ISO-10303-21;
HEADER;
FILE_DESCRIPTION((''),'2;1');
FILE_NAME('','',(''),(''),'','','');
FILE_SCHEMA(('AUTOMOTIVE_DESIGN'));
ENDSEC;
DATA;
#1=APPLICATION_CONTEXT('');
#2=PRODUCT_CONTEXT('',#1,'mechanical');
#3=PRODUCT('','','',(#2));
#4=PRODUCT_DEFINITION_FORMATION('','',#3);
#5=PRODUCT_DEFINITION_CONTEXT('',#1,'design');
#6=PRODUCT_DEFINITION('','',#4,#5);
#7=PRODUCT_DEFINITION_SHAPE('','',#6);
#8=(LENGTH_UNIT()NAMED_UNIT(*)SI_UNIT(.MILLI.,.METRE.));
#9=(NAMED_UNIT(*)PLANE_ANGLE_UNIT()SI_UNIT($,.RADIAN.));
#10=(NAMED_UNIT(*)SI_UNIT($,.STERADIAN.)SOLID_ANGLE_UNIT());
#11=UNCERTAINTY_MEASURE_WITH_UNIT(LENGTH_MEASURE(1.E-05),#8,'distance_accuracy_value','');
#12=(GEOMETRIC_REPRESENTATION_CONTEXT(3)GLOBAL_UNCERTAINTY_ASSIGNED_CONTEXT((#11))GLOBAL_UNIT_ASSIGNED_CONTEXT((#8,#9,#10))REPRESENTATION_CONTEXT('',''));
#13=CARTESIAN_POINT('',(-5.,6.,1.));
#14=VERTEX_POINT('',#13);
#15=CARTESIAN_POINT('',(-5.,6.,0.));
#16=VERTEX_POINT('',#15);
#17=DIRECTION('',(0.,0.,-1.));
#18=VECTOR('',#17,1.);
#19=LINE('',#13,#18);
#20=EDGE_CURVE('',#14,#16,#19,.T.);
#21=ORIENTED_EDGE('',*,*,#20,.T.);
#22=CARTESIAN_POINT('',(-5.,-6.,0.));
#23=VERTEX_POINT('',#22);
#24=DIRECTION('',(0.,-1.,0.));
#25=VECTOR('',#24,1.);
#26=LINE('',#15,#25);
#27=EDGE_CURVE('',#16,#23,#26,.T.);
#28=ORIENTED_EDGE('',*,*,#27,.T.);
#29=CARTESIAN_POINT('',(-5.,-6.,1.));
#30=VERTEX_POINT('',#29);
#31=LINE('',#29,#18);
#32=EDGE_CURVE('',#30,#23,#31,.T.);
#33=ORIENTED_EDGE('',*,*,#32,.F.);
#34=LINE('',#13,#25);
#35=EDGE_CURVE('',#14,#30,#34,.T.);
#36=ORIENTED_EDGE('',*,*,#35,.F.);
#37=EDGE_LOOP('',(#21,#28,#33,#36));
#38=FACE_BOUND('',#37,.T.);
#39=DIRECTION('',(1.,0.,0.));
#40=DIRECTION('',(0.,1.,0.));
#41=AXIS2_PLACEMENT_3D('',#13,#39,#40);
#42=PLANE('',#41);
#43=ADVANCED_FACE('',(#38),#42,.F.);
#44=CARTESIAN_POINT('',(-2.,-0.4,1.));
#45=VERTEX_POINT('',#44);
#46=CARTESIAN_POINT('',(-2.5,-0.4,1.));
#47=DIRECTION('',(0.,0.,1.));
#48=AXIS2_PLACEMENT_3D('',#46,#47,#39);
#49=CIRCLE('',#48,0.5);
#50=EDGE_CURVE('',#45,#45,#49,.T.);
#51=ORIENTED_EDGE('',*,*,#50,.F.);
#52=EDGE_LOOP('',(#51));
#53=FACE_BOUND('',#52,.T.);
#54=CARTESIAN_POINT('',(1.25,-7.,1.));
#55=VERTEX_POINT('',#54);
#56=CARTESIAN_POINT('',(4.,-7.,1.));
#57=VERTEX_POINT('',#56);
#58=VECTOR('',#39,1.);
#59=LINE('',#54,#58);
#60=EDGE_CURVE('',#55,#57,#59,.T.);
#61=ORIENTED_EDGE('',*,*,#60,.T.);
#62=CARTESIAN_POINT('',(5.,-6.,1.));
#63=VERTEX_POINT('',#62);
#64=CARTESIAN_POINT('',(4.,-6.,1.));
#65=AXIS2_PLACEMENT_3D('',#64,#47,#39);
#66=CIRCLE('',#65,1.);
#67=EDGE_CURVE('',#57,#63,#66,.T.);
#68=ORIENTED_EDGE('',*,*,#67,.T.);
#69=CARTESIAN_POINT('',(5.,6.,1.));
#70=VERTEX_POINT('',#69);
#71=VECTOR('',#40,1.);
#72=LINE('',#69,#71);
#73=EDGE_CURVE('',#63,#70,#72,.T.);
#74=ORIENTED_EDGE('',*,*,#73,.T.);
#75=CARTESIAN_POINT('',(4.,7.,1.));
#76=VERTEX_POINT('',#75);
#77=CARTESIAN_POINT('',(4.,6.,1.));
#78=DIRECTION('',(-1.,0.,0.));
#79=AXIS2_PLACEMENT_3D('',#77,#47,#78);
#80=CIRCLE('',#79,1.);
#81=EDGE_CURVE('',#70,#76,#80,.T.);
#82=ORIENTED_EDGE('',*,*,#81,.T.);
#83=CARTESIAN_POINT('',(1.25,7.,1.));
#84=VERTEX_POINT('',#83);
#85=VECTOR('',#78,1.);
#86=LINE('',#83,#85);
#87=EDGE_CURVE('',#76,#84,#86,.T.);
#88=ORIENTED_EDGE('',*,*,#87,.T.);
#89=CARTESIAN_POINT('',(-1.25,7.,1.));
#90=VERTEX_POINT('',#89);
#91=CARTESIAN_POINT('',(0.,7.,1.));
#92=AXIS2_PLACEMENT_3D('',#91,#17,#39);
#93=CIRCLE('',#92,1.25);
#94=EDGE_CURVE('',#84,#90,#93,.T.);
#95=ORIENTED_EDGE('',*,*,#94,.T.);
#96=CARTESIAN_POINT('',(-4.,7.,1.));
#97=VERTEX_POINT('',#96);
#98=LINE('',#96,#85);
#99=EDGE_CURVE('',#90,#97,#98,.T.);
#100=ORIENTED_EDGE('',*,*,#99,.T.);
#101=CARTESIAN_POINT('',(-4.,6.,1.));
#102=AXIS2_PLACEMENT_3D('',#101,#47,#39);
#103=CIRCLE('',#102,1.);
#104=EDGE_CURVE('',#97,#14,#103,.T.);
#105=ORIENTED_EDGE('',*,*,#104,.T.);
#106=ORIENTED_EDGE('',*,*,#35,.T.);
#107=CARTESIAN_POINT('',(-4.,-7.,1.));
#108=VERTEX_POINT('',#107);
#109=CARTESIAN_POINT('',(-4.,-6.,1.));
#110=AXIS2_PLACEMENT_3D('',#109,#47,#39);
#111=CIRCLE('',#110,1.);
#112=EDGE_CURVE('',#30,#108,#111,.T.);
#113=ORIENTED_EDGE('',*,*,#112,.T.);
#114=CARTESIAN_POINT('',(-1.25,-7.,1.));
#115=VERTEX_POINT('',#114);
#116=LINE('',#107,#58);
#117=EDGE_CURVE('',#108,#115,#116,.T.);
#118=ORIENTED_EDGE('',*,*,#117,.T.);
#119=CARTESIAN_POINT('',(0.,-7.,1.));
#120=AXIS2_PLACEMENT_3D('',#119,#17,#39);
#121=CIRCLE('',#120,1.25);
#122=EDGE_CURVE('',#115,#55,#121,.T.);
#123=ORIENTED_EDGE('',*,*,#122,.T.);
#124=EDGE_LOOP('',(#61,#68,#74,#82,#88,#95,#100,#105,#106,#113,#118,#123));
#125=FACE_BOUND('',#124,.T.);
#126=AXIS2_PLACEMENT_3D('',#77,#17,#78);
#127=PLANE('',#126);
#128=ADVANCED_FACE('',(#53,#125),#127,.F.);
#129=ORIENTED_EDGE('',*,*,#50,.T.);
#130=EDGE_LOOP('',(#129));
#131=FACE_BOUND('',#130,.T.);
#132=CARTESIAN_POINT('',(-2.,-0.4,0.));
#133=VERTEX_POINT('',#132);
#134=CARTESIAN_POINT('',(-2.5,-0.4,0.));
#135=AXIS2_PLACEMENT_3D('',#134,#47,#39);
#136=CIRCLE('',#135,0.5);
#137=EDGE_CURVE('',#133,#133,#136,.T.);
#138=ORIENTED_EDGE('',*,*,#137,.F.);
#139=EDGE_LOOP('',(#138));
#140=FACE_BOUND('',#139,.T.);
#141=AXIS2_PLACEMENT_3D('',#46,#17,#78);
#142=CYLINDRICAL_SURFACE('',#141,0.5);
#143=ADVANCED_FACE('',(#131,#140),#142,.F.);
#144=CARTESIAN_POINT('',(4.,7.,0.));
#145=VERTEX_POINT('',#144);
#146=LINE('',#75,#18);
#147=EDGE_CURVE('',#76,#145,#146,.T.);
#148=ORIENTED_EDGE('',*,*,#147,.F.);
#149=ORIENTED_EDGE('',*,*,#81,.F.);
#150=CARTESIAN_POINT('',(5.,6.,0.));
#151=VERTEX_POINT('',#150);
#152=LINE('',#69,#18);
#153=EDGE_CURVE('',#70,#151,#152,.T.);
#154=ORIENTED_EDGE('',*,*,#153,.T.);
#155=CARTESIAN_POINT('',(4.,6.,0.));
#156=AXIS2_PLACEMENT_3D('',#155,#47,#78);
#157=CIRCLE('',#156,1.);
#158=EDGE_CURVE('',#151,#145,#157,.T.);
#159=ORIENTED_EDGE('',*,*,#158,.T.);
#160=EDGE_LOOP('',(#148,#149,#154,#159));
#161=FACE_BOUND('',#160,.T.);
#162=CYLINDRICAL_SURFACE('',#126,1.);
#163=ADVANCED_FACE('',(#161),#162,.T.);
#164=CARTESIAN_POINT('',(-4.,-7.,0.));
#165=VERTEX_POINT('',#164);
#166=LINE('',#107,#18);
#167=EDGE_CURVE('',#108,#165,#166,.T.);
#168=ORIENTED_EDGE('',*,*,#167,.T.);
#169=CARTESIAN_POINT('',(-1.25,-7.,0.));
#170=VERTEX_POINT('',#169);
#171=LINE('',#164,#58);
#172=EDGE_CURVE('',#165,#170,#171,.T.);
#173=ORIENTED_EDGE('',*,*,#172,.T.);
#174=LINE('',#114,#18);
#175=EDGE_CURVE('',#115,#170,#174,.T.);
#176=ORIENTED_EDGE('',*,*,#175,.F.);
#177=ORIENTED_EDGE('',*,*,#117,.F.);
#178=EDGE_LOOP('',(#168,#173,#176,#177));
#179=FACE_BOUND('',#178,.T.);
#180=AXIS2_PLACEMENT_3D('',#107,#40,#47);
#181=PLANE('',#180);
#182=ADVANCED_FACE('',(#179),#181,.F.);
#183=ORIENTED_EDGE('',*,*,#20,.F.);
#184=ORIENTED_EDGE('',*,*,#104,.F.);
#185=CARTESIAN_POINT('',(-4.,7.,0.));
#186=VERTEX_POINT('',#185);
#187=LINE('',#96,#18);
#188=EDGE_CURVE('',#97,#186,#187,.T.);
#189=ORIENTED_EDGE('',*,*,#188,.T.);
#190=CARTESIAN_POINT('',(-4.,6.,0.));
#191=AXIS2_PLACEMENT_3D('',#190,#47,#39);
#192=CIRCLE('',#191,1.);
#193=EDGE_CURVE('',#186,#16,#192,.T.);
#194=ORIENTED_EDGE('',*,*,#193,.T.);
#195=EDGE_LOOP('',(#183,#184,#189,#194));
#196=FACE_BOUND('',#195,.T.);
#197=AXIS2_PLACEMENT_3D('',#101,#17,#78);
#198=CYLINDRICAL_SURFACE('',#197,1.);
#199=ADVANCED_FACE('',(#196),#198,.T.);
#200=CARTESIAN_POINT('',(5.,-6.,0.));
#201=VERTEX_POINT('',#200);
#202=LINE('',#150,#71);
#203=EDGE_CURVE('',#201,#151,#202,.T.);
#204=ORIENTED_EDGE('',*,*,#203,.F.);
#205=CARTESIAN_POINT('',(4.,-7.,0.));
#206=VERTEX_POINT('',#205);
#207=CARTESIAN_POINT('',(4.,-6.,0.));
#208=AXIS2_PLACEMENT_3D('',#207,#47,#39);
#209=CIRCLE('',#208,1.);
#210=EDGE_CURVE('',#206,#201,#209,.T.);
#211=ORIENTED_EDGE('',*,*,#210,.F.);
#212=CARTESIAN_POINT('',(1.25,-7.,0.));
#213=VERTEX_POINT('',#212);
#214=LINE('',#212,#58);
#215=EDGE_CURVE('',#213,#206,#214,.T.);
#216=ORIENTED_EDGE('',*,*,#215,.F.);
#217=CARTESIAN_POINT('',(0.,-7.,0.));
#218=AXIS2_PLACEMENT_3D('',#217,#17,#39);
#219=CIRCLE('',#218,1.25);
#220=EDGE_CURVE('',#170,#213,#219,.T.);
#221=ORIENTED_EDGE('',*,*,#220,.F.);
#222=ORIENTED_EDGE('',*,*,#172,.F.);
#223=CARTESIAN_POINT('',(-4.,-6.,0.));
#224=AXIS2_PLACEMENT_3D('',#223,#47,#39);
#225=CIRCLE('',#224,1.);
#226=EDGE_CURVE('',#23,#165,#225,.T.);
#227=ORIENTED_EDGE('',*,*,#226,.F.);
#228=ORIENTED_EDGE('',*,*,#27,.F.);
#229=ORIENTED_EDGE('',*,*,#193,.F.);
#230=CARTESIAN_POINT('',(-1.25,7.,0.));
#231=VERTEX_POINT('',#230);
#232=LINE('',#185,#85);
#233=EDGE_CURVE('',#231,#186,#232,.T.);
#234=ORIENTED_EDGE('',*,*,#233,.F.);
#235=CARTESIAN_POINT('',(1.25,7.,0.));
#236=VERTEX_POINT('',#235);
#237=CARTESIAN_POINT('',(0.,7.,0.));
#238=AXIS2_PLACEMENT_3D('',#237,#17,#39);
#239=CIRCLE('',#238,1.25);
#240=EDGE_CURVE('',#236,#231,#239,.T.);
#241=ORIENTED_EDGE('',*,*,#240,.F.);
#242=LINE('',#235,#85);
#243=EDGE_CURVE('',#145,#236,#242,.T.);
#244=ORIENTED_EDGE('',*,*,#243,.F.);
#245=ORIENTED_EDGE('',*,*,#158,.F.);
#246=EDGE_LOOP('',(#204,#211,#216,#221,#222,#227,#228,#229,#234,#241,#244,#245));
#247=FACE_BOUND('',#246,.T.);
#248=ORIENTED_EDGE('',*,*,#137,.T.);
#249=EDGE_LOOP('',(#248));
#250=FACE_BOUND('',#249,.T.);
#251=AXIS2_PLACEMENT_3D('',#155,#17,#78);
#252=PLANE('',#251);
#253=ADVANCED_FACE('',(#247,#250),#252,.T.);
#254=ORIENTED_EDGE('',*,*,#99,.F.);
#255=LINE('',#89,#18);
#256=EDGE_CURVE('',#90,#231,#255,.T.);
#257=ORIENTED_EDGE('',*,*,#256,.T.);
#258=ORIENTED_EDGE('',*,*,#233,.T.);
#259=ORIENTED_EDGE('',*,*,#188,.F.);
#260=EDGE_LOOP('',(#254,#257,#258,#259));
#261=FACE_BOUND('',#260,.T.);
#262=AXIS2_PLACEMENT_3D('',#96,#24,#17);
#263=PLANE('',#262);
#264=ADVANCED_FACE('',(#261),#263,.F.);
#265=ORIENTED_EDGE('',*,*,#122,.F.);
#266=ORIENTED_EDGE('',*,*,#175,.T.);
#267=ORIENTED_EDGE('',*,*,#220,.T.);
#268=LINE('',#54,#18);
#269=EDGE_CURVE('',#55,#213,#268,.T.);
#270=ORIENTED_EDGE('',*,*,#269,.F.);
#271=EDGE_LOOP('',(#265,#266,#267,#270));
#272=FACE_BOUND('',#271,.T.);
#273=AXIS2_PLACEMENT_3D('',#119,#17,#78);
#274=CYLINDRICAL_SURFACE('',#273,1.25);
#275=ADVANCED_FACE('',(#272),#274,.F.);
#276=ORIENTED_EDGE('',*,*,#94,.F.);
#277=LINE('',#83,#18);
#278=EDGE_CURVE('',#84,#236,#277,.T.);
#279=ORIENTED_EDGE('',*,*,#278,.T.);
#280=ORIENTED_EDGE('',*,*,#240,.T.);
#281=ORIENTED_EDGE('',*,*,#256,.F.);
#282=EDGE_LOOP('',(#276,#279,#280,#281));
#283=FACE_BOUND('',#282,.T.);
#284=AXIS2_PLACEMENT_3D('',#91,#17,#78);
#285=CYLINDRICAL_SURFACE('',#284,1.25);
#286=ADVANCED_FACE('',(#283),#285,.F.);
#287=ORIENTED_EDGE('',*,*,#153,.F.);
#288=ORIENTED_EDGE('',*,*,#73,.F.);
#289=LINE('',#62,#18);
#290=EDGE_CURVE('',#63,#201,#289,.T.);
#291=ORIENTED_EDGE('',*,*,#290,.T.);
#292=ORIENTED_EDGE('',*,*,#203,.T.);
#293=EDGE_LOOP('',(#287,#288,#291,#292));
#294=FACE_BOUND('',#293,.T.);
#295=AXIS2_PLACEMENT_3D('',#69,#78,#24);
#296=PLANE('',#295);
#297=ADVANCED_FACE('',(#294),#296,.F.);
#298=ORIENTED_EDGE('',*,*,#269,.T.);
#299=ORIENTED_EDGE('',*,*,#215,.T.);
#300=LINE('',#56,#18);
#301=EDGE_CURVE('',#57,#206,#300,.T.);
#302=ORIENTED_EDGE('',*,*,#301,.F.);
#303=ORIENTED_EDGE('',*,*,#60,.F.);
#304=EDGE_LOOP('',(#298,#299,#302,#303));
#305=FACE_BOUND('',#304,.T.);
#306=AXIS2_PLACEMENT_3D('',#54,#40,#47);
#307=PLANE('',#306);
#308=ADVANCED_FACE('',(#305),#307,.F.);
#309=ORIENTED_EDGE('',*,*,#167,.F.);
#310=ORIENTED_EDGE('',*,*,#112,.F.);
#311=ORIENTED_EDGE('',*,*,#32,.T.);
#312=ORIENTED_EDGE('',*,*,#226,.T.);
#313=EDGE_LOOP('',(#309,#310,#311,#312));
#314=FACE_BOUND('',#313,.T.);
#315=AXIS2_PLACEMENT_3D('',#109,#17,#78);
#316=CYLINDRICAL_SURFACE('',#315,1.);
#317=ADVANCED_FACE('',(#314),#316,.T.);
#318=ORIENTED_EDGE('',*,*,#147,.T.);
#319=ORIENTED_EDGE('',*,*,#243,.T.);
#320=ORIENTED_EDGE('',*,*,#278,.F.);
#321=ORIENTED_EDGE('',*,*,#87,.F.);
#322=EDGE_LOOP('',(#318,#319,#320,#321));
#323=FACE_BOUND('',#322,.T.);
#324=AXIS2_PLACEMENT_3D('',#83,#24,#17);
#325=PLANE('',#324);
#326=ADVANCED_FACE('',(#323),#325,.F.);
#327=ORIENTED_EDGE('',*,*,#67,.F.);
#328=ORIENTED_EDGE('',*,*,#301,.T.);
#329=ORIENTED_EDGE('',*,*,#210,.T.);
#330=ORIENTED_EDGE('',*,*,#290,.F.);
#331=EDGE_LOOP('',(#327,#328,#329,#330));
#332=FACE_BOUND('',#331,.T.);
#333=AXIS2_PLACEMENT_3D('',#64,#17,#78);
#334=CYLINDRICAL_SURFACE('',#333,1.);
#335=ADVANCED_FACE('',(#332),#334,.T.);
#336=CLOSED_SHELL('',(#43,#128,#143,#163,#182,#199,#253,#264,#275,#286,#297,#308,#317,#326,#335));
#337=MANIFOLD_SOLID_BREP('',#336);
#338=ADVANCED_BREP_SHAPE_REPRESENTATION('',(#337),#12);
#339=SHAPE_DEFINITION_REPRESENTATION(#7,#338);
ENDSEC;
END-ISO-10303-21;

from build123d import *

# Parameters (mm, degrees)
ESQUISSE1_R        = 0.5
BOSS_EXTRU_1_DEPTH = 1


with BuildPart() as part:
    # Esquisse1 → Boss.-Extru.1 (new body)
    with BuildSketch(Plane.XY):
        with BuildLine():
            Line((1.25, 7), (4, 7))
            ThreePointArc((4, 7), (4.707106781, 6.707106781), (5, 6))
            Line((5, 6), (5, -6))
            ThreePointArc((5, -6), (4.707106781, -6.707106781), (4, -7))
            Line((4, -7), (1.25, -7))
            ThreePointArc((1.25, -7), (0, -5.75), (-1.25, -7))
            Line((-1.25, -7), (-4, -7))
            ThreePointArc((-4, -7), (-4.707106781, -6.707106781), (-5, -6))
            Line((-5, -6), (-5, 6))
            ThreePointArc((-5, 6), (-4.707106781, 6.707106781), (-4, 7))
            Line((-4, 7), (-1.25, 7))
            ThreePointArc((-1.25, 7), (0, 5.75), (1.25, 7))
        make_face()
        with Locations((-2.5, -0.4)):
            Circle(ESQUISSE1_R, mode=Mode.SUBTRACT)
    extrude(amount=BOSS_EXTRU_1_DEPTH)


solid = part.part
